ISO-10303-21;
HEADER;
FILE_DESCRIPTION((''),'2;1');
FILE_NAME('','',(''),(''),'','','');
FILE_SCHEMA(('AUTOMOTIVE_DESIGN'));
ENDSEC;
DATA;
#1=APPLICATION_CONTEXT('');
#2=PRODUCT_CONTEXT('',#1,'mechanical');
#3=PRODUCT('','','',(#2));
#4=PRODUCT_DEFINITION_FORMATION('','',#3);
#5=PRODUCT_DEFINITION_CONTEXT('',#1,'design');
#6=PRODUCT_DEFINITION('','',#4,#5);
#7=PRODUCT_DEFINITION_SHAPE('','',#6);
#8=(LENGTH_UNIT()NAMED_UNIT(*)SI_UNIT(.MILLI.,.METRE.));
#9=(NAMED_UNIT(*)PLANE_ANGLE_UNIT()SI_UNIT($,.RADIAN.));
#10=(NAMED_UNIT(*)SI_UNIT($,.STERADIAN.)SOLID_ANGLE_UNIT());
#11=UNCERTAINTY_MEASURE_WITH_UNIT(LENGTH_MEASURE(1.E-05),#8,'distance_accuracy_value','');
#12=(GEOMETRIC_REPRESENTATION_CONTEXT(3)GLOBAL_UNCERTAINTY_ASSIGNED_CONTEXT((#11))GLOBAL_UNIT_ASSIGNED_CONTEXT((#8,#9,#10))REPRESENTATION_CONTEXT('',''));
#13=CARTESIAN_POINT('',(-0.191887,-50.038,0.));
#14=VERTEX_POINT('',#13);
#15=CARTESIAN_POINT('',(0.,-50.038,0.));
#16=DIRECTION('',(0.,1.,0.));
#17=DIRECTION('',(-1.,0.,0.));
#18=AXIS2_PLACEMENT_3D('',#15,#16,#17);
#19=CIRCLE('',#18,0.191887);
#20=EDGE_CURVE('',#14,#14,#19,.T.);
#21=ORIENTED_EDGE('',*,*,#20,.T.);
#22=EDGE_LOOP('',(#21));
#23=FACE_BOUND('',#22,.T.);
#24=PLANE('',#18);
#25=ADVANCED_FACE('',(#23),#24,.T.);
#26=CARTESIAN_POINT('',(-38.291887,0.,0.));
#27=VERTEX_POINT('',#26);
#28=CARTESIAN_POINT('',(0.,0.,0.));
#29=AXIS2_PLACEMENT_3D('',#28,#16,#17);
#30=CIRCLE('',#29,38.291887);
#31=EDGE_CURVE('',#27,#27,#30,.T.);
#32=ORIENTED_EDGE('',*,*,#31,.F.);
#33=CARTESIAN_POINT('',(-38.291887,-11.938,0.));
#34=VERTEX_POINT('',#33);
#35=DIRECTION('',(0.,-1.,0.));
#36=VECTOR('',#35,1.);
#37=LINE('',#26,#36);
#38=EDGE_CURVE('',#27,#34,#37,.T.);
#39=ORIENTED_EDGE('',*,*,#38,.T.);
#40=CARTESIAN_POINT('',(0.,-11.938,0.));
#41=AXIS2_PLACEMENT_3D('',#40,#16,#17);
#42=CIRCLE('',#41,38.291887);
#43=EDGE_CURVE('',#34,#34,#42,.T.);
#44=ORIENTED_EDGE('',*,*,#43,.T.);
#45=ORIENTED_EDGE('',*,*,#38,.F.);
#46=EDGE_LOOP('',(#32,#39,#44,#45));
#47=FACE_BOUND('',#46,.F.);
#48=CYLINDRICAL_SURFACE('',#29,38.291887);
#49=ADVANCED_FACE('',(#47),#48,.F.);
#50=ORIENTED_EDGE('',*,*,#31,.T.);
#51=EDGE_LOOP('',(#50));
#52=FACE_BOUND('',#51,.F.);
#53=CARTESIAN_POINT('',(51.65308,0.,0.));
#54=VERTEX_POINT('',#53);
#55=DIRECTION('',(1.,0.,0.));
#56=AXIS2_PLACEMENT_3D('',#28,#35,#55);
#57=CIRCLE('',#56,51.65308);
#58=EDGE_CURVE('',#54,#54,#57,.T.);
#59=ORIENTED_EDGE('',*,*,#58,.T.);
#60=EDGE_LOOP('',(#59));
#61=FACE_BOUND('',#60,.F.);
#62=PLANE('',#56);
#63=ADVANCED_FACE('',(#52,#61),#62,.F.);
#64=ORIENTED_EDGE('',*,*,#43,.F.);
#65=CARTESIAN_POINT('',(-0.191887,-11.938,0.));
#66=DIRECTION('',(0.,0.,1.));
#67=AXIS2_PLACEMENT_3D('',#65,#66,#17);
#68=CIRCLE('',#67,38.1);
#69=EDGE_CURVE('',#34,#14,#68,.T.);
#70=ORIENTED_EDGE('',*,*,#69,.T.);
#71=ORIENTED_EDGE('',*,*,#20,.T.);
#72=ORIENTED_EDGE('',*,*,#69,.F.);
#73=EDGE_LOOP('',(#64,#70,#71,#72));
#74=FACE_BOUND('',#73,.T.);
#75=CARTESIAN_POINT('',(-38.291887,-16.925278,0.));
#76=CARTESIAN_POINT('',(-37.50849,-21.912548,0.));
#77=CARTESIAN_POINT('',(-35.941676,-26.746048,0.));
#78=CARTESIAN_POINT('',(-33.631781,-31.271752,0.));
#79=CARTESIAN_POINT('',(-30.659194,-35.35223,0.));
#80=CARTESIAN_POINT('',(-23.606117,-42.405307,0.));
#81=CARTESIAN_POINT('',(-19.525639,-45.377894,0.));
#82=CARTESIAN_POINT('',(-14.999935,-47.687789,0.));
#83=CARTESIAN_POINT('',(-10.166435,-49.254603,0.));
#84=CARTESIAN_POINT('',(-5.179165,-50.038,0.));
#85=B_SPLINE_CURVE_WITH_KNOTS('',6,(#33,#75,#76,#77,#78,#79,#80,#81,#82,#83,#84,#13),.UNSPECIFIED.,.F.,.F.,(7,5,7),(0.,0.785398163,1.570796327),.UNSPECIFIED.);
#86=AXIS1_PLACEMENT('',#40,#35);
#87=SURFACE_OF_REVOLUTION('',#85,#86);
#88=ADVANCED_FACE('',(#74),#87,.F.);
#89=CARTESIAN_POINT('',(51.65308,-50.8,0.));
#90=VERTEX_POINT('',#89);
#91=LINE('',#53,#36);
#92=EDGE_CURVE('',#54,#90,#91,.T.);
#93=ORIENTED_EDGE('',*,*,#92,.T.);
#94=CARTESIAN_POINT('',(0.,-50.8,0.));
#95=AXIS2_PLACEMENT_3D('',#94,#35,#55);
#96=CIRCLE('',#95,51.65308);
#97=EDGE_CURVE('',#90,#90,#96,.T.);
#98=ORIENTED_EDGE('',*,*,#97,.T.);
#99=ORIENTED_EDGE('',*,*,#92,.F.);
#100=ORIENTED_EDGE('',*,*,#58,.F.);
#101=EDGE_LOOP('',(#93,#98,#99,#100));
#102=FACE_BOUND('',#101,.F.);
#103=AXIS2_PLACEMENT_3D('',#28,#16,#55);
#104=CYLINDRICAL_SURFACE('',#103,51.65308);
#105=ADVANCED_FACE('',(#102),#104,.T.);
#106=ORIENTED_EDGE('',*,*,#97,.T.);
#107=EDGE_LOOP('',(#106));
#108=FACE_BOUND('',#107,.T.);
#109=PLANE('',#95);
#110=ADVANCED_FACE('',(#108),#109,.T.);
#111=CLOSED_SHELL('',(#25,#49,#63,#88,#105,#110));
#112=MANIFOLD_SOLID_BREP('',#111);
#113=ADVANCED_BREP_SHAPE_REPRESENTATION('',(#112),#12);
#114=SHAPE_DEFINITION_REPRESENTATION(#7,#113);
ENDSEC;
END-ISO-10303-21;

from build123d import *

# Parameters (mm, degrees)
F0_R     = 51.65308
F1_DEPTH = 50.8
F2_R     = 38.291887
F3_DEPTH = 50.038
F4_R     = 38.1


with BuildPart() as f1:
    # F0 (on Front) → F1 (new body)
    with BuildSketch(Plane.XZ):
        Circle(F0_R)
    extrude(amount=F1_DEPTH)

    # F2 (on face) → F3 (cut)
    with BuildSketch(Plane(origin=(0, 0, 0), x_dir=(-1, 0, 0), z_dir=(0, 1, 0))):
        Circle(F2_R)
    extrude(amount=-F3_DEPTH, mode=Mode.SUBTRACT)

    # F4
    f4_edges = [f1.edges().sort_by_distance(p)[0] for p in [
        (38.291887, -50.038, 0),
    ]]
    fillet(f4_edges, radius=F4_R)


solid = f1.part
